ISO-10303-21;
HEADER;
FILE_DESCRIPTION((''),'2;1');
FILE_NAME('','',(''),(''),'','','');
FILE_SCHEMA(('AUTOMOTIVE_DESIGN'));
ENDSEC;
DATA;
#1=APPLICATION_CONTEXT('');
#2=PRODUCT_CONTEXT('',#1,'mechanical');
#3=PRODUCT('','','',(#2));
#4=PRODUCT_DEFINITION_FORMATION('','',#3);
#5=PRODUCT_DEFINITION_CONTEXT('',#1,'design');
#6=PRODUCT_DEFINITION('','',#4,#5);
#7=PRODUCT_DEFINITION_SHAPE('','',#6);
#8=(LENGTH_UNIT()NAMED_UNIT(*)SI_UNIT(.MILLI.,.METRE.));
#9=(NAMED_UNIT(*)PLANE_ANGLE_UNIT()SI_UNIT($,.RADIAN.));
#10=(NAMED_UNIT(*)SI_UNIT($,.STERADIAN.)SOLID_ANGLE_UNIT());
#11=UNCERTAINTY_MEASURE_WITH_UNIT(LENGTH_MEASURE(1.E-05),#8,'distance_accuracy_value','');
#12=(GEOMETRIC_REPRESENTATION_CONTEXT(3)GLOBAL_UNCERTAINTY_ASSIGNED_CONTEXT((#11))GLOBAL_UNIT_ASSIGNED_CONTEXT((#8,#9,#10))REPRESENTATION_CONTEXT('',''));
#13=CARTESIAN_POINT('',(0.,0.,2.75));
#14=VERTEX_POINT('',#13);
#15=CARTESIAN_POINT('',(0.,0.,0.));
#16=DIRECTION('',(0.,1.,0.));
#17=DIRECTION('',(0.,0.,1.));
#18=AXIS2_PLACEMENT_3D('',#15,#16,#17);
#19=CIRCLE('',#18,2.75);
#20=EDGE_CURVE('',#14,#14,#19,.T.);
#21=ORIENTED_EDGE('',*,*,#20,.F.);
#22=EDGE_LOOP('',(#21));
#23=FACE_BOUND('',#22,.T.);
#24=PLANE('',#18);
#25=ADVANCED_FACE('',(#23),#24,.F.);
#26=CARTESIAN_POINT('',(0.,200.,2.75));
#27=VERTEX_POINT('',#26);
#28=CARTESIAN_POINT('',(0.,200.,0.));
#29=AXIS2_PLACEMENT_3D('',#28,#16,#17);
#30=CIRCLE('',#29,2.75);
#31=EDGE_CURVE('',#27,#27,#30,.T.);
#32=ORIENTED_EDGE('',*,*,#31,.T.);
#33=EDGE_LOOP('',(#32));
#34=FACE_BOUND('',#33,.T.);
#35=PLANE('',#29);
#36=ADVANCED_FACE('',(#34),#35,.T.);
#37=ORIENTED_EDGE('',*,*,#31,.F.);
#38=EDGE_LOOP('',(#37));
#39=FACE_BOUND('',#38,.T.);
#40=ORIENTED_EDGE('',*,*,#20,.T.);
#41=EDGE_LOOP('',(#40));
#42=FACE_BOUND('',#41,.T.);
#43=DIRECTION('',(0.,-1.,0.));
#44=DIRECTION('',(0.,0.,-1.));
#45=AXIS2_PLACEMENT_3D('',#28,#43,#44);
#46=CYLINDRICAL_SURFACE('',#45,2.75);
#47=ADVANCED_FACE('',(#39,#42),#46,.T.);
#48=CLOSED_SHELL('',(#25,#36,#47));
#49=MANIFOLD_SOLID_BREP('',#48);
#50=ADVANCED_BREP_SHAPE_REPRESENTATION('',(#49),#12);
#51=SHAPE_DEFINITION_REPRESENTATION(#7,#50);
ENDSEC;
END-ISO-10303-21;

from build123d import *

# Parameters (mm, degrees)
SKETCH_1_R      = 2.75
EXTRUDE_1_DEPTH = 200


with BuildPart() as part:
    # 草图1 → 凸台-拉伸1 (new body)
    with BuildSketch(Plane(origin=(0, 0, 0), x_dir=(1, 0, 0), z_dir=(0, 1, 0))):
        with Locations(Location((0, 0, 0), (0, 0, 270))):
            Circle(SKETCH_1_R)
    extrude(amount=EXTRUDE_1_DEPTH)


solid = part.part
